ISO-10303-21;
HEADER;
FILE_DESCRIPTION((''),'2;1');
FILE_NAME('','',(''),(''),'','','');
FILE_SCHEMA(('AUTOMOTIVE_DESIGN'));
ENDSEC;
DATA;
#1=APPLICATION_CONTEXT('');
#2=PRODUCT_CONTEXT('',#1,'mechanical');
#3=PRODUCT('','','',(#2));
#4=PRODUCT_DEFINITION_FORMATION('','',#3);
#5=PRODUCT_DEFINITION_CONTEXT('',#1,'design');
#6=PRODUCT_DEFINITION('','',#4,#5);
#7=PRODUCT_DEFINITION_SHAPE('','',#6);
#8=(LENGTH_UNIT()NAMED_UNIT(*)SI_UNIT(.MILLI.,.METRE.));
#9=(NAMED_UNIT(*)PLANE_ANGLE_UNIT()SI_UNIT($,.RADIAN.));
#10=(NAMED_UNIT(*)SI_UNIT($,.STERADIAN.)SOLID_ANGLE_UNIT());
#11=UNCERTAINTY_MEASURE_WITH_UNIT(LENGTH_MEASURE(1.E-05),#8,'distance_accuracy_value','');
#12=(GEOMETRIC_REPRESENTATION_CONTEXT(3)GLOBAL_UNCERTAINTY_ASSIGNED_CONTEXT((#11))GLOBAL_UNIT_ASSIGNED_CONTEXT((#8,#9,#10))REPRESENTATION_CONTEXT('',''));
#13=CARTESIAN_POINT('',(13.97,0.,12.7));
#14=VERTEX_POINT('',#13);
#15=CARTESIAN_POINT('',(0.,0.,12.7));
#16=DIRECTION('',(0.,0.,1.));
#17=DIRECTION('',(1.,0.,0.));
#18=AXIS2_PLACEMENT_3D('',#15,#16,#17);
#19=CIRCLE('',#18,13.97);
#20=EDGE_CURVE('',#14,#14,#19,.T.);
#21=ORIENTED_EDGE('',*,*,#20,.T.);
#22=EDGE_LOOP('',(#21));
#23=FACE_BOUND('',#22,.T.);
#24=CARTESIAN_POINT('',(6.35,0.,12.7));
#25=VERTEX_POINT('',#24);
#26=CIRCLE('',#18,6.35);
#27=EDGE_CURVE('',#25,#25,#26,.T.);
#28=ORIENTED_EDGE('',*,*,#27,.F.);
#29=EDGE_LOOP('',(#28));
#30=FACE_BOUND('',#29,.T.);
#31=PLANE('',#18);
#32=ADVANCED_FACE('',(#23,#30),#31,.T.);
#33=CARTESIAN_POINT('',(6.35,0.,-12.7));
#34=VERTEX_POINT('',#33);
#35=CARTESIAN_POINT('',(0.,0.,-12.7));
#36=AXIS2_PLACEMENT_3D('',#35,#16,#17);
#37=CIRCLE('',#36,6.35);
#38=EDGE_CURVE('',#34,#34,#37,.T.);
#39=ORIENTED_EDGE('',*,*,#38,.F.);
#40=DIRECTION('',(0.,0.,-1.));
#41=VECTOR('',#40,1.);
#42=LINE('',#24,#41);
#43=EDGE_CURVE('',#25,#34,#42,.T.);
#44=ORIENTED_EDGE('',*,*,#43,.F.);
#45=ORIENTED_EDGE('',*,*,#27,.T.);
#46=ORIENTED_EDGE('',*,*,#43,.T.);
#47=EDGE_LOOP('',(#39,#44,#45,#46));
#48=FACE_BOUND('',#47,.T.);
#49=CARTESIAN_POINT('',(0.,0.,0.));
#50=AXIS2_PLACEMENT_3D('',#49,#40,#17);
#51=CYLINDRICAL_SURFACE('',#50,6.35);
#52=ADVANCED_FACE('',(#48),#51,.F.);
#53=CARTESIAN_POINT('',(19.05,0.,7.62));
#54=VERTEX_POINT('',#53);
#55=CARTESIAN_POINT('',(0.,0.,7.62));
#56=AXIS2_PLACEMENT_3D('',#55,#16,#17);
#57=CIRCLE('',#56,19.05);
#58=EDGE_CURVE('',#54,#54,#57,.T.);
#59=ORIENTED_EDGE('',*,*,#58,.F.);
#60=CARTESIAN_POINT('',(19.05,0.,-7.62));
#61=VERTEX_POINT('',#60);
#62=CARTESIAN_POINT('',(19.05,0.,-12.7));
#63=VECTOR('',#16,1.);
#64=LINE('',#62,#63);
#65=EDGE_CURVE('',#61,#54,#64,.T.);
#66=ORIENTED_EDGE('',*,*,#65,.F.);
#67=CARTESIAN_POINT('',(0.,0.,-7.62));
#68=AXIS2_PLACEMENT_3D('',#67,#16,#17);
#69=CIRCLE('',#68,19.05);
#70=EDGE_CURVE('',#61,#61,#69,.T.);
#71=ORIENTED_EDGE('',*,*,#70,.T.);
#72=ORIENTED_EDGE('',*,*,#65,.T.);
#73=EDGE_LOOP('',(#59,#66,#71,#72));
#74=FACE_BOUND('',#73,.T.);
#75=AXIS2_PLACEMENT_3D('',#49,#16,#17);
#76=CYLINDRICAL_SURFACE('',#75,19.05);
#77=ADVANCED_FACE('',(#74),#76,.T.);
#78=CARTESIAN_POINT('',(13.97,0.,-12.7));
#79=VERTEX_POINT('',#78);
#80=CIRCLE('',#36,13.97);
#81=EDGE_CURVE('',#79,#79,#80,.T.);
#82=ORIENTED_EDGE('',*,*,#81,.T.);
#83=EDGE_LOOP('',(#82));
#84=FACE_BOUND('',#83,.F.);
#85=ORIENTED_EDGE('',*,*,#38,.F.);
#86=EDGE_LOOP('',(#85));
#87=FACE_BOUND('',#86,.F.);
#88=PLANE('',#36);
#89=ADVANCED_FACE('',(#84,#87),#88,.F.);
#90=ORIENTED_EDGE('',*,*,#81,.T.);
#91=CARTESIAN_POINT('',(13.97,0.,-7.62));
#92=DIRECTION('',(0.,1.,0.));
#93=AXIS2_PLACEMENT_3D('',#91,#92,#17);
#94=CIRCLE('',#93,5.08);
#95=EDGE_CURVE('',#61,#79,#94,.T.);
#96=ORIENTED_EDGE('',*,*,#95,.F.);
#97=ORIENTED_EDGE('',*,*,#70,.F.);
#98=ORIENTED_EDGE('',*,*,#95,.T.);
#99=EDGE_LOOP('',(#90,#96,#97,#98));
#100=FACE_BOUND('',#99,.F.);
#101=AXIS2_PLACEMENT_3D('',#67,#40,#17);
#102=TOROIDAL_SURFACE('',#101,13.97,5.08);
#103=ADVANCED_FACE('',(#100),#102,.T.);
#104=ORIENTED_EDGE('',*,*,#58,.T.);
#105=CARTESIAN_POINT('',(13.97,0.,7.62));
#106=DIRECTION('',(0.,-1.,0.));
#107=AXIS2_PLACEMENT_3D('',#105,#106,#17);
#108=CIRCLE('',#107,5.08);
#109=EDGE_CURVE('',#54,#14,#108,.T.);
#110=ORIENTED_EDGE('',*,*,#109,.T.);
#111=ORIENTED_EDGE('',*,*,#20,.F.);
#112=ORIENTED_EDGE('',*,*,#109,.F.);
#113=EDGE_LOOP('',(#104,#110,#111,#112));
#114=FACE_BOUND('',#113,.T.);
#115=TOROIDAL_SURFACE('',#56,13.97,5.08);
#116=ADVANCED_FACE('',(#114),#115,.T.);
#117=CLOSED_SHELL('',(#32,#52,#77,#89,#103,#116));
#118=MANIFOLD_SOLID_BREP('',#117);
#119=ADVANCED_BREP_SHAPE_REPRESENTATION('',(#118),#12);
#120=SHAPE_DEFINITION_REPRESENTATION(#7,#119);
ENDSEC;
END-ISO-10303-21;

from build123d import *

# Parameters (mm, degrees)
F0_R     = 19.05
F0_R_2   = 6.35
F1_DEPTH = 12.7
F2_R     = 5.08
F3_DEPTH = 12.7
F4_R     = 5.08


with BuildPart() as f1:
    # F0 (on Top) → F1 (new body, symmetric)
    with BuildSketch(Plane.XY):
        Circle(F0_R)
        Circle(F0_R_2, mode=Mode.SUBTRACT)
    extrude(amount=F1_DEPTH, both=True)

    # F2
    f2_edges = [f1.edges().sort_by_distance(p)[0] for p in [
        (-19.05, 0, -12.7),
        (-19.05, 0, 12.7),
    ]]
    fillet(f2_edges, radius=F2_R)

    # F0 (on Top) → F3 (join, symmetric)
    with BuildSketch(Plane.XY):
        Circle(F0_R)
        Circle(F0_R_2, mode=Mode.SUBTRACT)
    extrude(amount=F3_DEPTH, both=True)

    # F4
    f4_edges = [f1.edges().sort_by_distance(p)[0] for p in [
        (-19.05, 0, -12.7),
        (-19.05, 0, 12.7),
    ]]
    fillet(f4_edges, radius=F4_R)


solid = f1.part
